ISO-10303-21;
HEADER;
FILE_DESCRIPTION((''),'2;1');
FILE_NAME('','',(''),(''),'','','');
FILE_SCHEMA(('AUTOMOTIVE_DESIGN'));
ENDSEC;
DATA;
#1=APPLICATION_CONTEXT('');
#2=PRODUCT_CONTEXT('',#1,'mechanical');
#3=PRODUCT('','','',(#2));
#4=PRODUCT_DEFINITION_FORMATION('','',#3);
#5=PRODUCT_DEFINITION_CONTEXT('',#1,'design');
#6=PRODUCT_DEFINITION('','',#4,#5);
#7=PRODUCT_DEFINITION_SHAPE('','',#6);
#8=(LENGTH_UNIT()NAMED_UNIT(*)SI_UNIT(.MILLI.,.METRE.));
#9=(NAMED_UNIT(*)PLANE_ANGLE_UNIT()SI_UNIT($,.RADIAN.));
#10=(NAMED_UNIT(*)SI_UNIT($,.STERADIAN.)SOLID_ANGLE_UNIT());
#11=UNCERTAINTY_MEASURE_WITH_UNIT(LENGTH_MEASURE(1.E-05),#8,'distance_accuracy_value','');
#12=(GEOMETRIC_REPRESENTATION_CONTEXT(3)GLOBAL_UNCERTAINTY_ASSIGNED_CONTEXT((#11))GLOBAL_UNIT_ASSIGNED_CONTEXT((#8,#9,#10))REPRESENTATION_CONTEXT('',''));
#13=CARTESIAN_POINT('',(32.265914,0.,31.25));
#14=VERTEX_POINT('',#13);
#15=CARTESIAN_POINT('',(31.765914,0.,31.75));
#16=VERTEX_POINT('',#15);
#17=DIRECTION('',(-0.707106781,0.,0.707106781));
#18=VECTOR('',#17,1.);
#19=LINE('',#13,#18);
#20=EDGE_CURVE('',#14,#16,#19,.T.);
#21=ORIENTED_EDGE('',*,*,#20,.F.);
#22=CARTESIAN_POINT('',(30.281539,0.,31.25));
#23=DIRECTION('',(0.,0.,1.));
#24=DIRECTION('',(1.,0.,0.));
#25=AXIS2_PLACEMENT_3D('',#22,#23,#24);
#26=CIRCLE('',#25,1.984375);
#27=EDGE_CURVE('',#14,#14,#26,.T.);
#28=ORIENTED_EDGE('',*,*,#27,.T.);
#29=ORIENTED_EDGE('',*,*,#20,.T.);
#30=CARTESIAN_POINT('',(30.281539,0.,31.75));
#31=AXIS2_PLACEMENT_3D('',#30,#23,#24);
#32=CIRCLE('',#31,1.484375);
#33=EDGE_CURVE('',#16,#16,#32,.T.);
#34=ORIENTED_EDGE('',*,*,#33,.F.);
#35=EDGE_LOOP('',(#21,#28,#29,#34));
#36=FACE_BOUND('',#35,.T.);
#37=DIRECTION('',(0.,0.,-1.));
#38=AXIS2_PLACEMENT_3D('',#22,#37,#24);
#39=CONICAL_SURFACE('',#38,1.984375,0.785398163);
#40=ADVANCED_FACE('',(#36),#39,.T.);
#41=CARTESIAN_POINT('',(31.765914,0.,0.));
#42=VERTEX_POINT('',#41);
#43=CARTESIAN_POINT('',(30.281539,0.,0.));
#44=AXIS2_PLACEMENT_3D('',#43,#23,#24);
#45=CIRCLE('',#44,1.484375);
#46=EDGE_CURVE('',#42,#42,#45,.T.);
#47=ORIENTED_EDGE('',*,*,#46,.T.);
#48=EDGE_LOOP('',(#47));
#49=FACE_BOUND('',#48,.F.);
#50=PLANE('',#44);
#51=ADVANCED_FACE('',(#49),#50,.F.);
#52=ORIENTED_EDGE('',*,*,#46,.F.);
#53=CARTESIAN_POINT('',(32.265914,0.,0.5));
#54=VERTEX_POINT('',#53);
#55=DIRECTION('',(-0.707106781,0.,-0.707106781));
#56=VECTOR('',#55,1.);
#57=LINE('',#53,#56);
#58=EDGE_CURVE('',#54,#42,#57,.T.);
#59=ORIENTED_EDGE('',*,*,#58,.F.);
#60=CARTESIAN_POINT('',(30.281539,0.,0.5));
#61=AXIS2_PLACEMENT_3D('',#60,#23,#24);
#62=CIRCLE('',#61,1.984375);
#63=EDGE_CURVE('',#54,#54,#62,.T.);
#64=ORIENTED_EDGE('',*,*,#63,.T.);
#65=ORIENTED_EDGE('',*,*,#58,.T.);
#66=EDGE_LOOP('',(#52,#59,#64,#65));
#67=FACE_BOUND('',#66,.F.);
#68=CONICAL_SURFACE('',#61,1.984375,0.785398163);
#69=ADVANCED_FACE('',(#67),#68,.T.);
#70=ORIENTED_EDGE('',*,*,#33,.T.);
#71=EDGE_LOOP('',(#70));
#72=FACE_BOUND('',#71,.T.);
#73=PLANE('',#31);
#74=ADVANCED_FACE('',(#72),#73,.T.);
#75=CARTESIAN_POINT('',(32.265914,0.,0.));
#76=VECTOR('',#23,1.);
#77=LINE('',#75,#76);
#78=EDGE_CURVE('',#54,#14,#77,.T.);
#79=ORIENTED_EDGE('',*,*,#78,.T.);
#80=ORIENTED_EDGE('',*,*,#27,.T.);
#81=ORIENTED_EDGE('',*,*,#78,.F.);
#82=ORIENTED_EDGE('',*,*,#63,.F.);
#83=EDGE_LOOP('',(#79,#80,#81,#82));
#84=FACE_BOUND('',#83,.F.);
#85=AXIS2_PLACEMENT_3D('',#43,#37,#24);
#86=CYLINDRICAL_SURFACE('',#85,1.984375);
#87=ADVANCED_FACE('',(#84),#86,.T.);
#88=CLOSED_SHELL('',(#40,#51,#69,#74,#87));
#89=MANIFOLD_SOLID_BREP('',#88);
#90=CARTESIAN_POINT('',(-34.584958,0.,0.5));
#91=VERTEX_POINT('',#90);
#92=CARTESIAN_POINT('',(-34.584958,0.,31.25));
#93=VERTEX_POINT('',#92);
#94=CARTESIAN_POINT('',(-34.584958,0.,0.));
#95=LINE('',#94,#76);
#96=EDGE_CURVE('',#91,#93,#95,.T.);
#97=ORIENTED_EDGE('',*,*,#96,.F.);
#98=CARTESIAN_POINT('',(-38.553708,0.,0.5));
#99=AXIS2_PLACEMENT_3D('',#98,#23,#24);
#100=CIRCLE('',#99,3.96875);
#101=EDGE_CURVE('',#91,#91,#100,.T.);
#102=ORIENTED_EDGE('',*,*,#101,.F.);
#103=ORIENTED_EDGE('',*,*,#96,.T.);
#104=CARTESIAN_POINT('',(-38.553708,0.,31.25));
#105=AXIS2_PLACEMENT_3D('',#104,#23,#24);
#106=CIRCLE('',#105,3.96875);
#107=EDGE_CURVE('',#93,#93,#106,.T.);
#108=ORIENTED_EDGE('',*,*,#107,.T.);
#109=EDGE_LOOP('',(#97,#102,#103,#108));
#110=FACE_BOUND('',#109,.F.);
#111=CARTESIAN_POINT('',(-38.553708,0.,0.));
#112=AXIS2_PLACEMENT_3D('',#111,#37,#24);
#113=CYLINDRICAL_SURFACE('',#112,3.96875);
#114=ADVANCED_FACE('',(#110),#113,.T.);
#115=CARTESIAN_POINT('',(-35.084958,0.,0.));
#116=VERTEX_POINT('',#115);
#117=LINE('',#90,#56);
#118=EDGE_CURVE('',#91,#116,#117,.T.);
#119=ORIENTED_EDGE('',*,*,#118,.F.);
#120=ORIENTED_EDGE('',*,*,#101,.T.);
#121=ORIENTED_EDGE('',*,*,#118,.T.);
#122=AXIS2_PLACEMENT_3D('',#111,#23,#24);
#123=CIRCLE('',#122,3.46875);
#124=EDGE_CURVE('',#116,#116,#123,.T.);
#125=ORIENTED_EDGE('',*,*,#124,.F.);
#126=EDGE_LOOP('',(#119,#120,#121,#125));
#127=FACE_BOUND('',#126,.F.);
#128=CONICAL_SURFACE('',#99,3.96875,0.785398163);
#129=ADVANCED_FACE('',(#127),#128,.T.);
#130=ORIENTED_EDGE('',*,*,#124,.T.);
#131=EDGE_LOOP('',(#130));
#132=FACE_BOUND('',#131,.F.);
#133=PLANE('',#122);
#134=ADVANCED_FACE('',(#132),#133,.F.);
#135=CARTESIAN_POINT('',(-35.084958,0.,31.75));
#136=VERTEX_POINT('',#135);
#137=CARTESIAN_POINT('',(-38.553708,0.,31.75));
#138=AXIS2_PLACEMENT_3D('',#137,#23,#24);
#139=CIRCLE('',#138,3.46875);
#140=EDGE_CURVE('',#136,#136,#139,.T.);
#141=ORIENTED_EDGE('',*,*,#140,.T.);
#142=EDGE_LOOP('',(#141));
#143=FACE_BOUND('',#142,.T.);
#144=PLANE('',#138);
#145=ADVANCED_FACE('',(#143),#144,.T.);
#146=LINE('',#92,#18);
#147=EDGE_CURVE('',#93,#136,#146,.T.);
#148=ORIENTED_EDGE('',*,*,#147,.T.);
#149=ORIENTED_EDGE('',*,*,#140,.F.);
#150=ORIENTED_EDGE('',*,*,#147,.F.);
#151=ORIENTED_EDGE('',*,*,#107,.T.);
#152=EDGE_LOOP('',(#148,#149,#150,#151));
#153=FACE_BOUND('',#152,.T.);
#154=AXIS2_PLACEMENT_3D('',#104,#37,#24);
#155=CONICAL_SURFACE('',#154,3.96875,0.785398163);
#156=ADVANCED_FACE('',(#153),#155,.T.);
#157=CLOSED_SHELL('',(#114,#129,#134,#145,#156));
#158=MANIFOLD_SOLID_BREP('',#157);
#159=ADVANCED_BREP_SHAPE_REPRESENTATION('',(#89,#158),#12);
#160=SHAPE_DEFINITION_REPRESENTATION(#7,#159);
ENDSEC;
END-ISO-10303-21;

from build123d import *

# Parameters (mm, degrees)
F0_R      = 3.96875
F1_DEPTH  = 31.75
F0_R_2    = 1.984375
F2_DEPTH  = 31.75
F3_SIZE   = 0.5
F3_2_SIZE = 0.5


with BuildPart() as f1:
    # F0 (on Top) → F1 (new body)
    with BuildSketch(Plane.XY):
        with Locations((-38.553708, 0)):
            Circle(F0_R)
    extrude(amount=F1_DEPTH)

    # F3
    f3_edges = [f1.edges().sort_by_distance(p)[0] for p in [
        (-42.522458, 0, 31.75),
        (-42.522458, 0, 0),
    ]]
    chamfer(f3_edges, length=F3_SIZE)


with BuildPart() as f2:
    # F0 (on Top) → F2 (new body)
    with BuildSketch(Plane.XY):
        with Locations((30.281539, 0)):
            Circle(F0_R_2)
    extrude(amount=F2_DEPTH)

    # F3#2
    f3_2_edges = [f2.edges().sort_by_distance(p)[0] for p in [
        (28.297164, 0, 31.75),
        (28.297164, 0, 0),
    ]]
    chamfer(f3_2_edges, length=F3_2_SIZE)


solid = Compound([f1.part, f2.part])
